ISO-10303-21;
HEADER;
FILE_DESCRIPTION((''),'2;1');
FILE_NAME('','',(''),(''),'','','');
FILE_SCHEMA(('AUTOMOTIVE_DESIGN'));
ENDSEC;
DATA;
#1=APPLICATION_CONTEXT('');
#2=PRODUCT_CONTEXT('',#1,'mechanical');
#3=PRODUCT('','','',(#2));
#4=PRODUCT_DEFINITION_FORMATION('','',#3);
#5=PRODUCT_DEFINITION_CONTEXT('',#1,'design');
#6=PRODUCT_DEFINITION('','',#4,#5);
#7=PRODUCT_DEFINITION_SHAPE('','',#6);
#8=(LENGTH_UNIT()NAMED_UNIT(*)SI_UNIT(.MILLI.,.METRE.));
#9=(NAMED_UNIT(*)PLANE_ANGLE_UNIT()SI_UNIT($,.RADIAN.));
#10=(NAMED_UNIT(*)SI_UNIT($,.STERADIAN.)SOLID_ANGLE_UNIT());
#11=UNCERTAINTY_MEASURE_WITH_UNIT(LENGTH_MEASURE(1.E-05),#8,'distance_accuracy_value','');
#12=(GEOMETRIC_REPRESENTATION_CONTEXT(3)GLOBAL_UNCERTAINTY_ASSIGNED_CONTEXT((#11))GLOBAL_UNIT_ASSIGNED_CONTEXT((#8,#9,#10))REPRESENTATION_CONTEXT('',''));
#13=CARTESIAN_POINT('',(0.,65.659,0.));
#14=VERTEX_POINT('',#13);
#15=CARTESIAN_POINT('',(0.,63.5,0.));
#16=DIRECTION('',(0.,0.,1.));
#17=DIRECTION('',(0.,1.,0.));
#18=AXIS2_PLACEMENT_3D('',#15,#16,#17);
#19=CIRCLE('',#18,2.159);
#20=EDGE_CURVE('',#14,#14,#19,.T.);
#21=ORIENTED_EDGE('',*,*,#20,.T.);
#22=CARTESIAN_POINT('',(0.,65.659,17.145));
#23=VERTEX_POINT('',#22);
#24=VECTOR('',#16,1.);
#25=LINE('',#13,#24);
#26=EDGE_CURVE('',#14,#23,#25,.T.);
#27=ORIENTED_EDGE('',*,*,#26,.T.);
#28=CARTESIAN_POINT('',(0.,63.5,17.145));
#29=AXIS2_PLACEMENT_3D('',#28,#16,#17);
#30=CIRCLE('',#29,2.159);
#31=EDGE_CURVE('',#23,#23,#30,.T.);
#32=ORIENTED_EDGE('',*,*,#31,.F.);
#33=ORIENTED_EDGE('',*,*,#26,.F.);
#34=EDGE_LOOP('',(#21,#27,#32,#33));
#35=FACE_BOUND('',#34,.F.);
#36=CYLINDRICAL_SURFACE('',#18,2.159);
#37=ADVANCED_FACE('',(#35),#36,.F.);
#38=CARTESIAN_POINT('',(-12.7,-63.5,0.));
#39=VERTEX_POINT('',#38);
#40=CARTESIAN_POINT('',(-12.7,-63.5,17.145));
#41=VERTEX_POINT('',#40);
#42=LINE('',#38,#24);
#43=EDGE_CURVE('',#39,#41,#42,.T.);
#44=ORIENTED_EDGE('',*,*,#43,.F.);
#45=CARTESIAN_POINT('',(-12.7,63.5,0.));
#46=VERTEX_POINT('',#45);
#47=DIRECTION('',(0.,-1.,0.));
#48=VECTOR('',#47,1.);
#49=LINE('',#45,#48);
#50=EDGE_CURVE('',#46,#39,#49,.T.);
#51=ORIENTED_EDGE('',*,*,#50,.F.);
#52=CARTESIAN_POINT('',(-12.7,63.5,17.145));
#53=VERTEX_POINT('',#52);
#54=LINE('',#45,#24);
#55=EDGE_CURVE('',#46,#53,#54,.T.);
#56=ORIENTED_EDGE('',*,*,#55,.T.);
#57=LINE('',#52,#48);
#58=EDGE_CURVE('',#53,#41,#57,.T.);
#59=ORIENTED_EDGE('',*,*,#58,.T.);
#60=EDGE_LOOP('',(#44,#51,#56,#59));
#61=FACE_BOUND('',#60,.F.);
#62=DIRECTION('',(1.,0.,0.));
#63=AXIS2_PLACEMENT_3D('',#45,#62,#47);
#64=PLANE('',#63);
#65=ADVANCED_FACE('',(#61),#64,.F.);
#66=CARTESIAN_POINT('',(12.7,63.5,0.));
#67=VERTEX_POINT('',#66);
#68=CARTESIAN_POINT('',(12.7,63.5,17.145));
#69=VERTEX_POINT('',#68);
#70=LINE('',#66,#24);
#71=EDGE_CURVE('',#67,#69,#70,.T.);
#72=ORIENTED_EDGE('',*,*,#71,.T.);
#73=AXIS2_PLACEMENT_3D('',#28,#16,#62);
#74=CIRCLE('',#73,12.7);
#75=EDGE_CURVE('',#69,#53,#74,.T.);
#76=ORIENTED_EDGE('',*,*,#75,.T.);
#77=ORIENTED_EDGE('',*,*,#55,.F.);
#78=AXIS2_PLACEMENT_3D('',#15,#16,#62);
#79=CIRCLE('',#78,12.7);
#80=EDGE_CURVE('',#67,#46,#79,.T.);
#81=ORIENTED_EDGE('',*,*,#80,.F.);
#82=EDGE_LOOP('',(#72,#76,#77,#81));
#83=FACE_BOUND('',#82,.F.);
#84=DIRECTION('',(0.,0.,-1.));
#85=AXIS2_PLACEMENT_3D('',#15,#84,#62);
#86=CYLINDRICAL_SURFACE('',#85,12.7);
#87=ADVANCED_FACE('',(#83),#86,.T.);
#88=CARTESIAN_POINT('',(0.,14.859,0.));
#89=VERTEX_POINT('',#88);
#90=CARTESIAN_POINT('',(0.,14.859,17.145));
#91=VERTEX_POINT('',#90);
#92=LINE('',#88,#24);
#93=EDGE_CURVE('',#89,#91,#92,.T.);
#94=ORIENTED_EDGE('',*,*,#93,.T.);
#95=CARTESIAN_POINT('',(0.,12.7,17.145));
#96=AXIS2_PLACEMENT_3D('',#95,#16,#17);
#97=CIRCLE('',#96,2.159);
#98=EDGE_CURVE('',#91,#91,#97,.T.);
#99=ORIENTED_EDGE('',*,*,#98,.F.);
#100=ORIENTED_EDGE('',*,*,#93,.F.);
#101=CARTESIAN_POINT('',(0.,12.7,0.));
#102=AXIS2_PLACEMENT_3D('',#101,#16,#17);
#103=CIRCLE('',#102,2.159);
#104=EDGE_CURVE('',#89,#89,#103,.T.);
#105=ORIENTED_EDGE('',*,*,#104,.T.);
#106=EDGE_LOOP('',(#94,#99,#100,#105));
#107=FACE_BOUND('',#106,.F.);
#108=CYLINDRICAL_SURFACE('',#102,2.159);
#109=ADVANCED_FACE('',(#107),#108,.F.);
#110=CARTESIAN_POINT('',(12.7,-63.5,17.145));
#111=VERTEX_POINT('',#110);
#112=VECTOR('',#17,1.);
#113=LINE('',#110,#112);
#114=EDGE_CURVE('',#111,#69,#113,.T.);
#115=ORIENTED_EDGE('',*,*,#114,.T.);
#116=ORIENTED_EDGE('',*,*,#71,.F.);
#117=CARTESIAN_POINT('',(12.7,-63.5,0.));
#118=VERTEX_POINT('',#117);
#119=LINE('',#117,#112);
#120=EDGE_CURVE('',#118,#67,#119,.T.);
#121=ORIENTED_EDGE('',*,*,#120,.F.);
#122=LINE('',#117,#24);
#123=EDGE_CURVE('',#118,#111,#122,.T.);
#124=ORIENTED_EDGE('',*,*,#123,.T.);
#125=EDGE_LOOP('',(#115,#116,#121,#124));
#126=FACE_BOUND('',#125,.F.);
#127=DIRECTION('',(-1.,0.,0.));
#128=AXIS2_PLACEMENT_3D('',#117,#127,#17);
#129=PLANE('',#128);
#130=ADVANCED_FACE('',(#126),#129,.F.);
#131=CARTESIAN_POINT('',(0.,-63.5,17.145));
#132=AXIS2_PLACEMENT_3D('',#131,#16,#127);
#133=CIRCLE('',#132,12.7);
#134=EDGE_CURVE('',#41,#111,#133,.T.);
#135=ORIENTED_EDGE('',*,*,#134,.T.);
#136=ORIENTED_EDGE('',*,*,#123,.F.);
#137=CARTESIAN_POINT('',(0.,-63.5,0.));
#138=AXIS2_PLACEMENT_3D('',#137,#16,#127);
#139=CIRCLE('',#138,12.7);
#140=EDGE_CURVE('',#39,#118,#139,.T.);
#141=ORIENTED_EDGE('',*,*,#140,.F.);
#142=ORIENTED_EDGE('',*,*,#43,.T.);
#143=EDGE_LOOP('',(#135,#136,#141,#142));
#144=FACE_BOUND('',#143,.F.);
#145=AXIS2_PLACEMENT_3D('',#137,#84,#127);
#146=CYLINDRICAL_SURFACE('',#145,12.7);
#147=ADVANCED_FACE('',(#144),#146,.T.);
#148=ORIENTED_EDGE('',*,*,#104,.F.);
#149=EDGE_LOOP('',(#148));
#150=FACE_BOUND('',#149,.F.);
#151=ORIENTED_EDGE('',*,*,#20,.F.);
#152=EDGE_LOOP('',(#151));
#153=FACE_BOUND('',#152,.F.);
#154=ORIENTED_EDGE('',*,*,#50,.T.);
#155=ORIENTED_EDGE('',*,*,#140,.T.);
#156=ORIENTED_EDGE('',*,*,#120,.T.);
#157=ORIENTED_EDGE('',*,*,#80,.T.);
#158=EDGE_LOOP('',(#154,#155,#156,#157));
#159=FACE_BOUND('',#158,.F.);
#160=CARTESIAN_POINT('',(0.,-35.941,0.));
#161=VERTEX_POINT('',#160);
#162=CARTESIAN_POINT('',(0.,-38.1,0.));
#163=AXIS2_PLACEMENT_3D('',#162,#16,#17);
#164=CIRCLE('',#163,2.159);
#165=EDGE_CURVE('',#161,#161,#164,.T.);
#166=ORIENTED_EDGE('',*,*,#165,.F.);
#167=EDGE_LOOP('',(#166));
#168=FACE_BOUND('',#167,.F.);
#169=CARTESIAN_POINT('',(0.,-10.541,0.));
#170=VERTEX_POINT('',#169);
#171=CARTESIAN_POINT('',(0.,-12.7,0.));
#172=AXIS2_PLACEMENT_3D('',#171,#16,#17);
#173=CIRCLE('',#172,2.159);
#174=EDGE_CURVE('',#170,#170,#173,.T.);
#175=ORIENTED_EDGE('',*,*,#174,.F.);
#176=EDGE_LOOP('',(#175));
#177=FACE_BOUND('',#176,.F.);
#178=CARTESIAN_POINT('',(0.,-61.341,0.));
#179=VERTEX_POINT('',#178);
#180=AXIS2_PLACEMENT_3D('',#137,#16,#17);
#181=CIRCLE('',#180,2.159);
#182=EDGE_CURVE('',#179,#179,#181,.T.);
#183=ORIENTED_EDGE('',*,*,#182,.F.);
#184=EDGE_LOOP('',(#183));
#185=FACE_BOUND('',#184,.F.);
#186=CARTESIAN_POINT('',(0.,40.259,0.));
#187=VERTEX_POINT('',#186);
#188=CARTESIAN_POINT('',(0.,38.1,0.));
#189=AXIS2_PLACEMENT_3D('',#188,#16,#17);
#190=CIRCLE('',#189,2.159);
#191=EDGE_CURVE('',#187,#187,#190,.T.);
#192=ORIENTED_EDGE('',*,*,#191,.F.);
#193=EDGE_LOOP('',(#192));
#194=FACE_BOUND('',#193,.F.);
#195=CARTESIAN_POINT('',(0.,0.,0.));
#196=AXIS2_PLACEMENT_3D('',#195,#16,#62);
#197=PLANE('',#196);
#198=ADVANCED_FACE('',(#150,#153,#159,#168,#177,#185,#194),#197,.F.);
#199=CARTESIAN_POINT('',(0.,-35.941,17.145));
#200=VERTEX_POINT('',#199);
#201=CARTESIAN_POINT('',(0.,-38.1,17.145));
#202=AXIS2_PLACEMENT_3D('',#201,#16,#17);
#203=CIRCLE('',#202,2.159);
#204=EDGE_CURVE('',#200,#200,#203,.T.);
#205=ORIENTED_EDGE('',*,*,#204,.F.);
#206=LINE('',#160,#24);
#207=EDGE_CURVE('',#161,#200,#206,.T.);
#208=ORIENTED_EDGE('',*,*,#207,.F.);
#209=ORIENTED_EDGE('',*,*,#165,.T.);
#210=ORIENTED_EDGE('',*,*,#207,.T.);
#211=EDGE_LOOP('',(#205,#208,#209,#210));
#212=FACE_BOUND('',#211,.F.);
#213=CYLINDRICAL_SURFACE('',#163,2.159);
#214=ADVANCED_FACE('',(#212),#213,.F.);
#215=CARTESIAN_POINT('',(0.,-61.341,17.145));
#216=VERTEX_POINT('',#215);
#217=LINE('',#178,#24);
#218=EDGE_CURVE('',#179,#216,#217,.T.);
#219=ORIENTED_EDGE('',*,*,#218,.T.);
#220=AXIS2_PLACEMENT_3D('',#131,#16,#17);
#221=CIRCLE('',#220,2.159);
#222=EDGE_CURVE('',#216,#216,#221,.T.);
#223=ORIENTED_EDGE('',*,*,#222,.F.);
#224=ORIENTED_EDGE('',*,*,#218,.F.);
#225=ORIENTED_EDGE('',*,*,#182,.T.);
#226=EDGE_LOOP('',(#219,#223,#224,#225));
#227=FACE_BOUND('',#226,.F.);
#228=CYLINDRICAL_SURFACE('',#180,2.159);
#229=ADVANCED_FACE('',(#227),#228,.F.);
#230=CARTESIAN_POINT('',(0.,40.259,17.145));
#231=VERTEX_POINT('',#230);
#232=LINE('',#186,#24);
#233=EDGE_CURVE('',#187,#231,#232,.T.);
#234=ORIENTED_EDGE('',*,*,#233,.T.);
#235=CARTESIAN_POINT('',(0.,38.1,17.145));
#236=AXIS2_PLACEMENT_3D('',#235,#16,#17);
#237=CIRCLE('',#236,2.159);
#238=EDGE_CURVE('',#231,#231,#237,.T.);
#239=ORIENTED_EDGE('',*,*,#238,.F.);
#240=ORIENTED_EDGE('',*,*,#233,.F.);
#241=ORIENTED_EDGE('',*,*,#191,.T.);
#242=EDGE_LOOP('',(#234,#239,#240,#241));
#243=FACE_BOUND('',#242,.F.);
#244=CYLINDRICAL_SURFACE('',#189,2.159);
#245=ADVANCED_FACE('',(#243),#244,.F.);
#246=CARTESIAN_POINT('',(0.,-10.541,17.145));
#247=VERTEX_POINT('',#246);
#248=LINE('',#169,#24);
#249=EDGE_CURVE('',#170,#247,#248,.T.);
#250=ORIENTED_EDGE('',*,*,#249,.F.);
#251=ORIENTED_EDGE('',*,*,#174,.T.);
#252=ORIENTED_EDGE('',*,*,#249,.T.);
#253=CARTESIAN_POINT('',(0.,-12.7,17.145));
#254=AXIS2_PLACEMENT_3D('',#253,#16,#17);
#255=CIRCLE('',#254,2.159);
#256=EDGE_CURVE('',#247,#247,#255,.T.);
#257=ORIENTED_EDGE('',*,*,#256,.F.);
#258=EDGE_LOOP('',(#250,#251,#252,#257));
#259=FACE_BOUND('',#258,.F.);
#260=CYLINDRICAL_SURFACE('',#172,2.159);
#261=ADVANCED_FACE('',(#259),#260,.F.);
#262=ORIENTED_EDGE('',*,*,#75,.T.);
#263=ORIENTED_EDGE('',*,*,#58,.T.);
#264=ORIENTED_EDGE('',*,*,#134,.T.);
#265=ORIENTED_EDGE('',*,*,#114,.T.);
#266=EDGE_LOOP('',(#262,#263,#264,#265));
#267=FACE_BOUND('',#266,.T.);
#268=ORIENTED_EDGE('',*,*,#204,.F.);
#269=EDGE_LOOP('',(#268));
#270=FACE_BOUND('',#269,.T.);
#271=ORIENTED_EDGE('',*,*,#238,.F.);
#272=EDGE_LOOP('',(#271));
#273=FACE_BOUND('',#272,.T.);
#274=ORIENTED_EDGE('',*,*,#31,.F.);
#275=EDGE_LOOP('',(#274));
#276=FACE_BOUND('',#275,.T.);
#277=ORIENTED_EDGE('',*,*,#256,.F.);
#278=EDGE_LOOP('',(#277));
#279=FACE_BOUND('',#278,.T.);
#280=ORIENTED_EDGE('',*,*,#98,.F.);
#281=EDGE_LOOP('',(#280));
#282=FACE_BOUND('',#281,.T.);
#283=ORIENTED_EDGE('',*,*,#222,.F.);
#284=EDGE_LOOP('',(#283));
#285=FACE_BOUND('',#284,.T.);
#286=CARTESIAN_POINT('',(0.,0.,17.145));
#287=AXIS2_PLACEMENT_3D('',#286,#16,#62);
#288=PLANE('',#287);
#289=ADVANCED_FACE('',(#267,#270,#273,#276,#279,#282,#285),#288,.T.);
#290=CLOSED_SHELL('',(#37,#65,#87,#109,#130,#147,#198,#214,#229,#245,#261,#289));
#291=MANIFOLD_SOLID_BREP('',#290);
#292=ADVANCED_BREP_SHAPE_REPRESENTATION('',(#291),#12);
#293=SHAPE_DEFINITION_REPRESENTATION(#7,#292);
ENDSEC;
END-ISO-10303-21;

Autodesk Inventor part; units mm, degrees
ref_plane "YZ Plane" through (0, 0, 0) normal (1, 0, 0) x (0, 1, 0)
ref_plane "XZ Plane" through (0, 0, 0) normal (0, 1, 0) x (-1, 0, 0)
ref_plane "XY Plane" through (0, 0, 0) normal (0, 0, 1) x (1, 0, 0)
sketch "Sketch1" plane through (0, 0, 0) normal (0, 0, 1) x (1, 0, 0)
  line L0 (0, -63.5) -> (0, 63.5) construction
  line L1 (12.7, -63.5) -> (12.7, 63.5)
  line L2 (-12.7, 63.5) -> (-12.7, -63.5)
  arc A0 (-12.7, -63.5) -> (12.7, -63.5) centre (0, -63.5) ccw
  arc A1 (12.7, 63.5) -> (-12.7, 63.5) centre (0, 63.5) ccw
  point P0 (0, 0)
  point P1 (0, 38.1)
  point P2 (0, 12.7)
  point P3 (0, -12.7)
  point P4 (0, -38.1)
  dimension "d0" = 63.5
  dimension "d1" = 25.4
  dimension "d2" = 25.4
  dimension "d3" = 25.4
  dimension "d4" = 25.4
  dimension "d5" = 25.4
extrude "Extrusion1" add sketch "Sketch1" along normal blind 17.145
hole "Hole1" at (0, 38.1, 0) at (0, 12.7, 0) at (0, -12.7, 0) at (0, -38.1, 0) at (0, -63.5, 0) at (0, 63.5, 0) direction (0, 0, 1) diameter 4.318 end through all
properties part number "Motor Bracket Seperator" material "PET Plastic"
